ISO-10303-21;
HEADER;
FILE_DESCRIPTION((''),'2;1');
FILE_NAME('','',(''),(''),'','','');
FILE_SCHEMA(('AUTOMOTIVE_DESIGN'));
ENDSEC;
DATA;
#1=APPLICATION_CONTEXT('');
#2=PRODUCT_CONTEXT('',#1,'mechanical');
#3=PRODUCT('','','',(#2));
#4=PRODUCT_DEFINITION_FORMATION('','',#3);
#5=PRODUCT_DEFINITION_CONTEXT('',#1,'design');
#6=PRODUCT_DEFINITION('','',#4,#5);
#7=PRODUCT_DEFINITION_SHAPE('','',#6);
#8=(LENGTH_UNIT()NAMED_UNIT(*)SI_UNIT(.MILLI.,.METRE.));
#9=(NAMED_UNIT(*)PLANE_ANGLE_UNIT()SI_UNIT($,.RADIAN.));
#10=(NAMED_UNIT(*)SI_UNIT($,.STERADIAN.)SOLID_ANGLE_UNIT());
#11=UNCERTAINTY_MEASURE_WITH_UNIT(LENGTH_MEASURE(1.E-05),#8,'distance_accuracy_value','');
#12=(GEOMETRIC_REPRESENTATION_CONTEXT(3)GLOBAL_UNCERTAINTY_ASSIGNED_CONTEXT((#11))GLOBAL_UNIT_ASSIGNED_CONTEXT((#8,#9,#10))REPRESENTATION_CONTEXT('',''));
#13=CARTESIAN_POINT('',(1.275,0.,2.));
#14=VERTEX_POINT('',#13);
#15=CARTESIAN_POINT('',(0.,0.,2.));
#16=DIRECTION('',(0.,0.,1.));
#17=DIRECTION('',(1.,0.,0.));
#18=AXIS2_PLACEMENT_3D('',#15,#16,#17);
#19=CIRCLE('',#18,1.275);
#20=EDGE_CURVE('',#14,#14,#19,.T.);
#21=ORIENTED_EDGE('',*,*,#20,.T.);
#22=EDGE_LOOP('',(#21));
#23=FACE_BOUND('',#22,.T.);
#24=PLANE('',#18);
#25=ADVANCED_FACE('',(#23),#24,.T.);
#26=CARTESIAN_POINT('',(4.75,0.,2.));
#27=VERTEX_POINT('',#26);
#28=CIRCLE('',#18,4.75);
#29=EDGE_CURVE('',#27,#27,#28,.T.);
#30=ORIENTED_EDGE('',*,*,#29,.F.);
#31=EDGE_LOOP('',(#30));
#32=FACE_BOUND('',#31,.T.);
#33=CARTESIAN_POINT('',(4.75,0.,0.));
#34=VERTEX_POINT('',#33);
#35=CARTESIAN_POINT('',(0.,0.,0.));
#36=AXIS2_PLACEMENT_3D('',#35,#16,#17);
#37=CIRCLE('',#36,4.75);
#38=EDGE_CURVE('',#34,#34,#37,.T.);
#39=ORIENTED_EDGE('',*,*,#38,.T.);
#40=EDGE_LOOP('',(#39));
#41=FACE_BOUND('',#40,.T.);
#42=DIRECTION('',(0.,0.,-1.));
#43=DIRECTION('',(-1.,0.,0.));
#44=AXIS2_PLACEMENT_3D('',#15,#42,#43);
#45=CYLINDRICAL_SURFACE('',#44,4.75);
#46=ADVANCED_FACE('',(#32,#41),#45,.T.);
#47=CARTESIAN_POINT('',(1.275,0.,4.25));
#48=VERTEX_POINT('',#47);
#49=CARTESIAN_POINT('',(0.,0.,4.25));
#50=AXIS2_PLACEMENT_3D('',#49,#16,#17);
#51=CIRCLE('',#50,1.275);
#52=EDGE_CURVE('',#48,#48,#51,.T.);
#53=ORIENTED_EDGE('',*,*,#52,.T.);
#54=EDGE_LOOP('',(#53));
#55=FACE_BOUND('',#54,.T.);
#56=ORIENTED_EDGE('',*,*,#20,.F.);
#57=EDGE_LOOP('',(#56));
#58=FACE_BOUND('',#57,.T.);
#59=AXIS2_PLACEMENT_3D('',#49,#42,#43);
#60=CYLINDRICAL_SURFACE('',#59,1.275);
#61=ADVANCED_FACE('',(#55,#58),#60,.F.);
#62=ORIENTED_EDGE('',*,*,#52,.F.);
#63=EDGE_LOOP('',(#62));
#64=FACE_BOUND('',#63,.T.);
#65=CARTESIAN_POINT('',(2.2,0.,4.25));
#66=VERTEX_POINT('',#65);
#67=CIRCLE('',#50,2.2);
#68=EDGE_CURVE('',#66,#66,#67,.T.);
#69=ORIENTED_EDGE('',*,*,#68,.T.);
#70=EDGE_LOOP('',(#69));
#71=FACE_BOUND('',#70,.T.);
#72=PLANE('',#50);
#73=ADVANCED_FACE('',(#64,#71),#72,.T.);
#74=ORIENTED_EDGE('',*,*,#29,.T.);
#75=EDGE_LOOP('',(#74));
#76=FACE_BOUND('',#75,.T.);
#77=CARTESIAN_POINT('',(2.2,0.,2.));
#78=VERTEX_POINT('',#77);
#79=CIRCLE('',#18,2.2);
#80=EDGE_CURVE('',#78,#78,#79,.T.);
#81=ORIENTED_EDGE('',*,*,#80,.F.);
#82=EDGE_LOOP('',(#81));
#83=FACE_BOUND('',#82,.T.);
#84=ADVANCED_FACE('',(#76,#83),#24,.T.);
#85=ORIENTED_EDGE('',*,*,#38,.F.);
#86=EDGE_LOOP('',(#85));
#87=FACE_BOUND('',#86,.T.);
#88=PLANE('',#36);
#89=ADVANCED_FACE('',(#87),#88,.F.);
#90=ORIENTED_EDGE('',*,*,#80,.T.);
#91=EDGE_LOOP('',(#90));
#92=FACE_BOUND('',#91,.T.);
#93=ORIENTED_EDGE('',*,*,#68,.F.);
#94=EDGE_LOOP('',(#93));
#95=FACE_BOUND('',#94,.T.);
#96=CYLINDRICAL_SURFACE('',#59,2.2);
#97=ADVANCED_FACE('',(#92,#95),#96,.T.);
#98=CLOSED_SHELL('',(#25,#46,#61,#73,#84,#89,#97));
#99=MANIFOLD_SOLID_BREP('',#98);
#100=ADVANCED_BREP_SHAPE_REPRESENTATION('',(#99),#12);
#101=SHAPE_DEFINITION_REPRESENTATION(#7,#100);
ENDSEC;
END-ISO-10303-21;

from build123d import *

# Parameters (mm, degrees)
SKETCH1_R             = 4.75
SKETCH1_R_2           = 2.2
BOSS_EXTRUDE1_DEPTH   = 2
SKETCH1_R_3           = 1.275
BOSS_EXTRUDE1_2_DEPTH = 2
SKETCH1_3_R           = 2.2
SKETCH1_3_R_2         = 1.275
BOSS_EXTRUDE2_DEPTH   = 4.25


with BuildPart() as part:
    # Sketch1 → Boss-Extrude1 (new body)
    with BuildSketch(Plane.XY):
        Circle(SKETCH1_R)
        Circle(SKETCH1_R_2, mode=Mode.SUBTRACT)
    extrude(amount=BOSS_EXTRUDE1_DEPTH)



with BuildPart() as body_2:
    # Sketch1 → Boss-Extrude1 2 (new body)
    with BuildSketch(Plane.XY):
        Circle(SKETCH1_R_3)
    extrude(amount=BOSS_EXTRUDE1_2_DEPTH)


with BuildPart() as part_1:
    add(part.part)

    add(body_2.part)  # Boss-Extrude2 merges body 2
    # Sketch1<3> → Boss-Extrude2 (add)
    with BuildSketch(Plane.XY):
        Circle(SKETCH1_3_R)
        Circle(SKETCH1_3_R_2, mode=Mode.SUBTRACT)
    extrude(amount=BOSS_EXTRUDE2_DEPTH)


solid = part_1.part
